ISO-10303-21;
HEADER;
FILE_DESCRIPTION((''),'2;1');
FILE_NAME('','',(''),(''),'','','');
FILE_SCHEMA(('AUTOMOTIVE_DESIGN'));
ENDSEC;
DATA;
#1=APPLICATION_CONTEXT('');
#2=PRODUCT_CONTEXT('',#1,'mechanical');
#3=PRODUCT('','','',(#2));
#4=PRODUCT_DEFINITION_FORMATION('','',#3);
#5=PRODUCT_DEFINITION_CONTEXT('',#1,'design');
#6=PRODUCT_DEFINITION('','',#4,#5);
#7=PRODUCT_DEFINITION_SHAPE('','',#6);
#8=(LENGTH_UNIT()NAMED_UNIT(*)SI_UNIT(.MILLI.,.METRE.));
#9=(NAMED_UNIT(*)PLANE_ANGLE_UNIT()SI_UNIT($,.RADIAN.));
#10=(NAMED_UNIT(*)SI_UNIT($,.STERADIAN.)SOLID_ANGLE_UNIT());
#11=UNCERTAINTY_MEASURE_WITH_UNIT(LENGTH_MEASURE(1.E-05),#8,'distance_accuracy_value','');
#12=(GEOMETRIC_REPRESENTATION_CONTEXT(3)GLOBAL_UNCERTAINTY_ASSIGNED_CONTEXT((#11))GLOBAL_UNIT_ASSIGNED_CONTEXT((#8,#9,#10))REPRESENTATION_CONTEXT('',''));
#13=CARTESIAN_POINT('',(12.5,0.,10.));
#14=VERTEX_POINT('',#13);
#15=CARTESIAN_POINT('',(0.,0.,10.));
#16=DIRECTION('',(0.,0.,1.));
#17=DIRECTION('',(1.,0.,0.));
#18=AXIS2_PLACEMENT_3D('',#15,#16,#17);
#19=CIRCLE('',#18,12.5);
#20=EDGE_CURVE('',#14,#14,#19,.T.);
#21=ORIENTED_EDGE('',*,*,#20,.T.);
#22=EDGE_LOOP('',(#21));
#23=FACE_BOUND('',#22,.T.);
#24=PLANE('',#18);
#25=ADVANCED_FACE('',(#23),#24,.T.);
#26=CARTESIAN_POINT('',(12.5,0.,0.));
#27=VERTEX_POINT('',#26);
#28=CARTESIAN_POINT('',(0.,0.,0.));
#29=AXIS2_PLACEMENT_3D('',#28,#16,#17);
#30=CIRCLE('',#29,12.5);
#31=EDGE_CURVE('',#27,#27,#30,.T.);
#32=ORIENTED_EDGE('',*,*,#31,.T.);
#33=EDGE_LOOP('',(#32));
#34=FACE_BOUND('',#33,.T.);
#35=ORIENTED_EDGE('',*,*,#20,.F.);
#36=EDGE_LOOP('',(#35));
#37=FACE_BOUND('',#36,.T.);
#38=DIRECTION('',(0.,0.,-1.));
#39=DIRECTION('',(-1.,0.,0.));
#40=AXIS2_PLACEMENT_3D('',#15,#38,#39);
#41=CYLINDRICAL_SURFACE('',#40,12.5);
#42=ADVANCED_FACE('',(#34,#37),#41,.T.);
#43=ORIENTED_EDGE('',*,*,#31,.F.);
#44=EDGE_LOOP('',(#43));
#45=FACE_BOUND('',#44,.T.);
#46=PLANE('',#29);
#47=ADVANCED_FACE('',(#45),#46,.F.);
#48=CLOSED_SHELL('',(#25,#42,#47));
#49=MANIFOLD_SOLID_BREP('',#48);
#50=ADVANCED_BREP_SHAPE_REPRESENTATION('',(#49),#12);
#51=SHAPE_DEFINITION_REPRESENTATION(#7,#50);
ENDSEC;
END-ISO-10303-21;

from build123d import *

# Parameters (mm, degrees)
SKETCH1_R           = 12.5
BOSS_EXTRUDE1_DEPTH = 10


with BuildPart() as part:
    # Sketch1 → Boss-Extrude1 (new body)
    with BuildSketch(Plane.XY):
        Circle(SKETCH1_R)
    extrude(amount=BOSS_EXTRUDE1_DEPTH)


solid = part.part
